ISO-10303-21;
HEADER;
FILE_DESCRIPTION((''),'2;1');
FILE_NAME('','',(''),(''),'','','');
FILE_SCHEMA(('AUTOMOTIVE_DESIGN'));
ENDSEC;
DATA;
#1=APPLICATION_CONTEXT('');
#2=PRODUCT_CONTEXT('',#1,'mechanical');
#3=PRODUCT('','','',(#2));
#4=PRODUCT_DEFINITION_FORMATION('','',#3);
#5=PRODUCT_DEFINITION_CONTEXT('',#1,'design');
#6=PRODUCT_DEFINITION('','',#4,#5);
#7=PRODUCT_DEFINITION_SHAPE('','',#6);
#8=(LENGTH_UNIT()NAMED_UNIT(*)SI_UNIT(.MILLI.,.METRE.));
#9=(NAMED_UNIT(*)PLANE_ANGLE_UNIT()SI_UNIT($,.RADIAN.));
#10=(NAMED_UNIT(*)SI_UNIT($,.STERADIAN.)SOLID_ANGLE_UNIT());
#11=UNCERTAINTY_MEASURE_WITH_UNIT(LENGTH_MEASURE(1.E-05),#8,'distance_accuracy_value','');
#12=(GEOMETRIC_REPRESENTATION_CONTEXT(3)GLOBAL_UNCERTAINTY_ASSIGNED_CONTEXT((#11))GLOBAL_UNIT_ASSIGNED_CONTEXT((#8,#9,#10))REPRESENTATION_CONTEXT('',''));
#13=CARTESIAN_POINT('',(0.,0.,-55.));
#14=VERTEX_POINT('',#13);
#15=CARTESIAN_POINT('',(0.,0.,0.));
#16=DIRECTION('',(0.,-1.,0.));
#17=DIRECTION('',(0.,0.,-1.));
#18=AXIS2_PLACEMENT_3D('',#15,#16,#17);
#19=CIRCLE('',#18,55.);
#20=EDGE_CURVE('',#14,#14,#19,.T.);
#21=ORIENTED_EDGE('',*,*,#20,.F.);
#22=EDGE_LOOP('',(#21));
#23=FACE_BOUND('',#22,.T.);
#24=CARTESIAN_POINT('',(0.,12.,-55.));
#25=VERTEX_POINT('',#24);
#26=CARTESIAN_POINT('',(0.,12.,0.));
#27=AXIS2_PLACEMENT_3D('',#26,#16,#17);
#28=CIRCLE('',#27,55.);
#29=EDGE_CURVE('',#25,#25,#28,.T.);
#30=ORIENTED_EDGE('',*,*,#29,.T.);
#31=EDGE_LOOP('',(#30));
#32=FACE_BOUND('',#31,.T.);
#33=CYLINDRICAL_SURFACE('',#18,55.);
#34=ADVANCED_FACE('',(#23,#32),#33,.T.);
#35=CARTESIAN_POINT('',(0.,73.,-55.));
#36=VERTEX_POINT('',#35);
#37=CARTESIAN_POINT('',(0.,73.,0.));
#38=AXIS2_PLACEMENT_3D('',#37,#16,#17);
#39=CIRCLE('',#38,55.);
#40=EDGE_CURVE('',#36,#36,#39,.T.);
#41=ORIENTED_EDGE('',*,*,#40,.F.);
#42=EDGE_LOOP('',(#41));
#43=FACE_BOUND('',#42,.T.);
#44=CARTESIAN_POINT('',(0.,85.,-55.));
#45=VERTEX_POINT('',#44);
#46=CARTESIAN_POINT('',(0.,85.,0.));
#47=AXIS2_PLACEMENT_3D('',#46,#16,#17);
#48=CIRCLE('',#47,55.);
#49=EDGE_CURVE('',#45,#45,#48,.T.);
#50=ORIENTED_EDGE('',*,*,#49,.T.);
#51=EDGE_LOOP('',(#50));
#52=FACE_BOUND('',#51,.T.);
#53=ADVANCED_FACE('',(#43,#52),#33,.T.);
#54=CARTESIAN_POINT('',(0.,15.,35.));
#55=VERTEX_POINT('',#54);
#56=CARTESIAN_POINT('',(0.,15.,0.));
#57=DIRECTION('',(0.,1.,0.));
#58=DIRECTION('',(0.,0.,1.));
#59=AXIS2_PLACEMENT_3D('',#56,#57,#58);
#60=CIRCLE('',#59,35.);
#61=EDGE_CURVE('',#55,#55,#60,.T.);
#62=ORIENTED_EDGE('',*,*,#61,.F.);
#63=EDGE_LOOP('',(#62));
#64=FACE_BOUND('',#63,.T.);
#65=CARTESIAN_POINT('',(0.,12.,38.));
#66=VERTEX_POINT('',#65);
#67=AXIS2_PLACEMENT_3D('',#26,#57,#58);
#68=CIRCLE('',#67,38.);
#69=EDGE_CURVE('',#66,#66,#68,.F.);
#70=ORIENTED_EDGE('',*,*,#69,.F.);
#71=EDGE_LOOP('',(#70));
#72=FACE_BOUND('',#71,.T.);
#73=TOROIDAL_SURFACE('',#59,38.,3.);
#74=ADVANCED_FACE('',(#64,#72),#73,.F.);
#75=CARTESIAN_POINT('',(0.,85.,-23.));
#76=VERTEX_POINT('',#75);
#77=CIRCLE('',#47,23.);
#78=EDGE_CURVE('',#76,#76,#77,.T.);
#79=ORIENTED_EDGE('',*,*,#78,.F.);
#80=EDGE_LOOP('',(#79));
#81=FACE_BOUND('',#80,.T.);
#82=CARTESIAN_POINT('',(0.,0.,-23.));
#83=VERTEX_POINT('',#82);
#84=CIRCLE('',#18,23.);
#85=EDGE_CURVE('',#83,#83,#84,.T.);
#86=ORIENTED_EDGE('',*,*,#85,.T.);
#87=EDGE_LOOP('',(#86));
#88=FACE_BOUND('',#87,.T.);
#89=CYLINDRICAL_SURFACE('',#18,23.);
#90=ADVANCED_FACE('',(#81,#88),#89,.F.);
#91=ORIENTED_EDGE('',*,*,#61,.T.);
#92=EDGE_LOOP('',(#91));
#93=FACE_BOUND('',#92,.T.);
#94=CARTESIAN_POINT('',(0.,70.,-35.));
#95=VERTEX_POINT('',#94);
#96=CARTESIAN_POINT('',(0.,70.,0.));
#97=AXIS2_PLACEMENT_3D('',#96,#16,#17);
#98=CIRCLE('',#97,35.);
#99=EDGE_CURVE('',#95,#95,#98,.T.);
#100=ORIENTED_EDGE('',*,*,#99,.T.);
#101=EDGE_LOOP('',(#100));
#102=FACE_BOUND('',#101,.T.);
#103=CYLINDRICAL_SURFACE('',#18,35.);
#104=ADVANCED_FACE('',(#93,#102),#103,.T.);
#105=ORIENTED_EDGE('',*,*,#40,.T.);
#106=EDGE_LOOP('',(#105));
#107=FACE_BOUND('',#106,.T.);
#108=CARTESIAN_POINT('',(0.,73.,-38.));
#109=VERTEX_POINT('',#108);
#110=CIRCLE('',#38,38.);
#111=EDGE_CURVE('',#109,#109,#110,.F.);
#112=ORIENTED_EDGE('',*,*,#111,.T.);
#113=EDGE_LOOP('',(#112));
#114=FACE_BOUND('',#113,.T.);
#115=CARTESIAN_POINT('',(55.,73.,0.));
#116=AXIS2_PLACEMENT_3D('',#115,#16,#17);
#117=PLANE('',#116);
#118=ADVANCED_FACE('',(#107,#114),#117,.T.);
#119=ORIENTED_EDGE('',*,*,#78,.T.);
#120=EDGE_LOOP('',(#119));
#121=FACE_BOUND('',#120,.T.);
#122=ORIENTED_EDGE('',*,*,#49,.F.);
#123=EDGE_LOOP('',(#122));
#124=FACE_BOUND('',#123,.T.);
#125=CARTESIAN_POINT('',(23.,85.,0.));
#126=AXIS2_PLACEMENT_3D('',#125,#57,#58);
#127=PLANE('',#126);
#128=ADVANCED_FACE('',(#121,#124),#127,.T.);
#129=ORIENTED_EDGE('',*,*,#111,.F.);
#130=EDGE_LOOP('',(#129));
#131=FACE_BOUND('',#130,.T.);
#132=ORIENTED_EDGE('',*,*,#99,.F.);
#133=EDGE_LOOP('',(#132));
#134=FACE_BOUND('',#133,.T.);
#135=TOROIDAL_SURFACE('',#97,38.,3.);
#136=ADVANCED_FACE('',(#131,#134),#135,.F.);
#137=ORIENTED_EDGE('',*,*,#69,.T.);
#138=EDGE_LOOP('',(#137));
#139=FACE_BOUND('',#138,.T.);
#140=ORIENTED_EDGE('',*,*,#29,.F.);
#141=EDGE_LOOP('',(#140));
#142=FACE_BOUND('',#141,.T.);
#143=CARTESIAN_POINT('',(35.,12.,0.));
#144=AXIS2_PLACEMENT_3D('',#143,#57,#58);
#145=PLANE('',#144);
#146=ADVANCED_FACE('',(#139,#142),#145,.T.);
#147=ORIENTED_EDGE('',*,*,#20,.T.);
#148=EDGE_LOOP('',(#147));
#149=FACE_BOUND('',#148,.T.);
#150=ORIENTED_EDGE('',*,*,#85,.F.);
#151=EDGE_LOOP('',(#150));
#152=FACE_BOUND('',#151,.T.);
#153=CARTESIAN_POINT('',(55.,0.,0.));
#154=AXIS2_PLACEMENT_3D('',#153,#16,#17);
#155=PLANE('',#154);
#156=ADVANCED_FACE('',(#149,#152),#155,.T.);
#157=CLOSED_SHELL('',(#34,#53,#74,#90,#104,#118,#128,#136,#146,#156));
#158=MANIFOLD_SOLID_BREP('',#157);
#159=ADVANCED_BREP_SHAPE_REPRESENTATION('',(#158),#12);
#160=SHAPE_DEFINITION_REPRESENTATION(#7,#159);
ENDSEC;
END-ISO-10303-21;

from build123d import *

# Parameters (mm, degrees)
FILLET1_R = 3


with BuildPart() as part:
    # Sketch1 → Revolve1 (revolve)
    with BuildSketch(Plane.XY, mode=Mode.PRIVATE) as revolve1_sk:
        Polygon((23, 85), (55, 85), (55, 73), (35, 73), (35, 12), (55, 12), (55, 0), (23, 0), align=None)
    revolve(revolve1_sk.sketch.rotate(Axis((0, 0, 0), (0, 1, 0)), 90), axis=Axis((0, 0, 0), (0, 1, 0)))

    # Fillet1
    fillet1_edges = [part.edges().sort_by_distance(p)[0] for p in [
        (0, 12, 35),
        (0, 73, 35),
    ]]
    fillet(fillet1_edges, radius=FILLET1_R)


solid = part.part
